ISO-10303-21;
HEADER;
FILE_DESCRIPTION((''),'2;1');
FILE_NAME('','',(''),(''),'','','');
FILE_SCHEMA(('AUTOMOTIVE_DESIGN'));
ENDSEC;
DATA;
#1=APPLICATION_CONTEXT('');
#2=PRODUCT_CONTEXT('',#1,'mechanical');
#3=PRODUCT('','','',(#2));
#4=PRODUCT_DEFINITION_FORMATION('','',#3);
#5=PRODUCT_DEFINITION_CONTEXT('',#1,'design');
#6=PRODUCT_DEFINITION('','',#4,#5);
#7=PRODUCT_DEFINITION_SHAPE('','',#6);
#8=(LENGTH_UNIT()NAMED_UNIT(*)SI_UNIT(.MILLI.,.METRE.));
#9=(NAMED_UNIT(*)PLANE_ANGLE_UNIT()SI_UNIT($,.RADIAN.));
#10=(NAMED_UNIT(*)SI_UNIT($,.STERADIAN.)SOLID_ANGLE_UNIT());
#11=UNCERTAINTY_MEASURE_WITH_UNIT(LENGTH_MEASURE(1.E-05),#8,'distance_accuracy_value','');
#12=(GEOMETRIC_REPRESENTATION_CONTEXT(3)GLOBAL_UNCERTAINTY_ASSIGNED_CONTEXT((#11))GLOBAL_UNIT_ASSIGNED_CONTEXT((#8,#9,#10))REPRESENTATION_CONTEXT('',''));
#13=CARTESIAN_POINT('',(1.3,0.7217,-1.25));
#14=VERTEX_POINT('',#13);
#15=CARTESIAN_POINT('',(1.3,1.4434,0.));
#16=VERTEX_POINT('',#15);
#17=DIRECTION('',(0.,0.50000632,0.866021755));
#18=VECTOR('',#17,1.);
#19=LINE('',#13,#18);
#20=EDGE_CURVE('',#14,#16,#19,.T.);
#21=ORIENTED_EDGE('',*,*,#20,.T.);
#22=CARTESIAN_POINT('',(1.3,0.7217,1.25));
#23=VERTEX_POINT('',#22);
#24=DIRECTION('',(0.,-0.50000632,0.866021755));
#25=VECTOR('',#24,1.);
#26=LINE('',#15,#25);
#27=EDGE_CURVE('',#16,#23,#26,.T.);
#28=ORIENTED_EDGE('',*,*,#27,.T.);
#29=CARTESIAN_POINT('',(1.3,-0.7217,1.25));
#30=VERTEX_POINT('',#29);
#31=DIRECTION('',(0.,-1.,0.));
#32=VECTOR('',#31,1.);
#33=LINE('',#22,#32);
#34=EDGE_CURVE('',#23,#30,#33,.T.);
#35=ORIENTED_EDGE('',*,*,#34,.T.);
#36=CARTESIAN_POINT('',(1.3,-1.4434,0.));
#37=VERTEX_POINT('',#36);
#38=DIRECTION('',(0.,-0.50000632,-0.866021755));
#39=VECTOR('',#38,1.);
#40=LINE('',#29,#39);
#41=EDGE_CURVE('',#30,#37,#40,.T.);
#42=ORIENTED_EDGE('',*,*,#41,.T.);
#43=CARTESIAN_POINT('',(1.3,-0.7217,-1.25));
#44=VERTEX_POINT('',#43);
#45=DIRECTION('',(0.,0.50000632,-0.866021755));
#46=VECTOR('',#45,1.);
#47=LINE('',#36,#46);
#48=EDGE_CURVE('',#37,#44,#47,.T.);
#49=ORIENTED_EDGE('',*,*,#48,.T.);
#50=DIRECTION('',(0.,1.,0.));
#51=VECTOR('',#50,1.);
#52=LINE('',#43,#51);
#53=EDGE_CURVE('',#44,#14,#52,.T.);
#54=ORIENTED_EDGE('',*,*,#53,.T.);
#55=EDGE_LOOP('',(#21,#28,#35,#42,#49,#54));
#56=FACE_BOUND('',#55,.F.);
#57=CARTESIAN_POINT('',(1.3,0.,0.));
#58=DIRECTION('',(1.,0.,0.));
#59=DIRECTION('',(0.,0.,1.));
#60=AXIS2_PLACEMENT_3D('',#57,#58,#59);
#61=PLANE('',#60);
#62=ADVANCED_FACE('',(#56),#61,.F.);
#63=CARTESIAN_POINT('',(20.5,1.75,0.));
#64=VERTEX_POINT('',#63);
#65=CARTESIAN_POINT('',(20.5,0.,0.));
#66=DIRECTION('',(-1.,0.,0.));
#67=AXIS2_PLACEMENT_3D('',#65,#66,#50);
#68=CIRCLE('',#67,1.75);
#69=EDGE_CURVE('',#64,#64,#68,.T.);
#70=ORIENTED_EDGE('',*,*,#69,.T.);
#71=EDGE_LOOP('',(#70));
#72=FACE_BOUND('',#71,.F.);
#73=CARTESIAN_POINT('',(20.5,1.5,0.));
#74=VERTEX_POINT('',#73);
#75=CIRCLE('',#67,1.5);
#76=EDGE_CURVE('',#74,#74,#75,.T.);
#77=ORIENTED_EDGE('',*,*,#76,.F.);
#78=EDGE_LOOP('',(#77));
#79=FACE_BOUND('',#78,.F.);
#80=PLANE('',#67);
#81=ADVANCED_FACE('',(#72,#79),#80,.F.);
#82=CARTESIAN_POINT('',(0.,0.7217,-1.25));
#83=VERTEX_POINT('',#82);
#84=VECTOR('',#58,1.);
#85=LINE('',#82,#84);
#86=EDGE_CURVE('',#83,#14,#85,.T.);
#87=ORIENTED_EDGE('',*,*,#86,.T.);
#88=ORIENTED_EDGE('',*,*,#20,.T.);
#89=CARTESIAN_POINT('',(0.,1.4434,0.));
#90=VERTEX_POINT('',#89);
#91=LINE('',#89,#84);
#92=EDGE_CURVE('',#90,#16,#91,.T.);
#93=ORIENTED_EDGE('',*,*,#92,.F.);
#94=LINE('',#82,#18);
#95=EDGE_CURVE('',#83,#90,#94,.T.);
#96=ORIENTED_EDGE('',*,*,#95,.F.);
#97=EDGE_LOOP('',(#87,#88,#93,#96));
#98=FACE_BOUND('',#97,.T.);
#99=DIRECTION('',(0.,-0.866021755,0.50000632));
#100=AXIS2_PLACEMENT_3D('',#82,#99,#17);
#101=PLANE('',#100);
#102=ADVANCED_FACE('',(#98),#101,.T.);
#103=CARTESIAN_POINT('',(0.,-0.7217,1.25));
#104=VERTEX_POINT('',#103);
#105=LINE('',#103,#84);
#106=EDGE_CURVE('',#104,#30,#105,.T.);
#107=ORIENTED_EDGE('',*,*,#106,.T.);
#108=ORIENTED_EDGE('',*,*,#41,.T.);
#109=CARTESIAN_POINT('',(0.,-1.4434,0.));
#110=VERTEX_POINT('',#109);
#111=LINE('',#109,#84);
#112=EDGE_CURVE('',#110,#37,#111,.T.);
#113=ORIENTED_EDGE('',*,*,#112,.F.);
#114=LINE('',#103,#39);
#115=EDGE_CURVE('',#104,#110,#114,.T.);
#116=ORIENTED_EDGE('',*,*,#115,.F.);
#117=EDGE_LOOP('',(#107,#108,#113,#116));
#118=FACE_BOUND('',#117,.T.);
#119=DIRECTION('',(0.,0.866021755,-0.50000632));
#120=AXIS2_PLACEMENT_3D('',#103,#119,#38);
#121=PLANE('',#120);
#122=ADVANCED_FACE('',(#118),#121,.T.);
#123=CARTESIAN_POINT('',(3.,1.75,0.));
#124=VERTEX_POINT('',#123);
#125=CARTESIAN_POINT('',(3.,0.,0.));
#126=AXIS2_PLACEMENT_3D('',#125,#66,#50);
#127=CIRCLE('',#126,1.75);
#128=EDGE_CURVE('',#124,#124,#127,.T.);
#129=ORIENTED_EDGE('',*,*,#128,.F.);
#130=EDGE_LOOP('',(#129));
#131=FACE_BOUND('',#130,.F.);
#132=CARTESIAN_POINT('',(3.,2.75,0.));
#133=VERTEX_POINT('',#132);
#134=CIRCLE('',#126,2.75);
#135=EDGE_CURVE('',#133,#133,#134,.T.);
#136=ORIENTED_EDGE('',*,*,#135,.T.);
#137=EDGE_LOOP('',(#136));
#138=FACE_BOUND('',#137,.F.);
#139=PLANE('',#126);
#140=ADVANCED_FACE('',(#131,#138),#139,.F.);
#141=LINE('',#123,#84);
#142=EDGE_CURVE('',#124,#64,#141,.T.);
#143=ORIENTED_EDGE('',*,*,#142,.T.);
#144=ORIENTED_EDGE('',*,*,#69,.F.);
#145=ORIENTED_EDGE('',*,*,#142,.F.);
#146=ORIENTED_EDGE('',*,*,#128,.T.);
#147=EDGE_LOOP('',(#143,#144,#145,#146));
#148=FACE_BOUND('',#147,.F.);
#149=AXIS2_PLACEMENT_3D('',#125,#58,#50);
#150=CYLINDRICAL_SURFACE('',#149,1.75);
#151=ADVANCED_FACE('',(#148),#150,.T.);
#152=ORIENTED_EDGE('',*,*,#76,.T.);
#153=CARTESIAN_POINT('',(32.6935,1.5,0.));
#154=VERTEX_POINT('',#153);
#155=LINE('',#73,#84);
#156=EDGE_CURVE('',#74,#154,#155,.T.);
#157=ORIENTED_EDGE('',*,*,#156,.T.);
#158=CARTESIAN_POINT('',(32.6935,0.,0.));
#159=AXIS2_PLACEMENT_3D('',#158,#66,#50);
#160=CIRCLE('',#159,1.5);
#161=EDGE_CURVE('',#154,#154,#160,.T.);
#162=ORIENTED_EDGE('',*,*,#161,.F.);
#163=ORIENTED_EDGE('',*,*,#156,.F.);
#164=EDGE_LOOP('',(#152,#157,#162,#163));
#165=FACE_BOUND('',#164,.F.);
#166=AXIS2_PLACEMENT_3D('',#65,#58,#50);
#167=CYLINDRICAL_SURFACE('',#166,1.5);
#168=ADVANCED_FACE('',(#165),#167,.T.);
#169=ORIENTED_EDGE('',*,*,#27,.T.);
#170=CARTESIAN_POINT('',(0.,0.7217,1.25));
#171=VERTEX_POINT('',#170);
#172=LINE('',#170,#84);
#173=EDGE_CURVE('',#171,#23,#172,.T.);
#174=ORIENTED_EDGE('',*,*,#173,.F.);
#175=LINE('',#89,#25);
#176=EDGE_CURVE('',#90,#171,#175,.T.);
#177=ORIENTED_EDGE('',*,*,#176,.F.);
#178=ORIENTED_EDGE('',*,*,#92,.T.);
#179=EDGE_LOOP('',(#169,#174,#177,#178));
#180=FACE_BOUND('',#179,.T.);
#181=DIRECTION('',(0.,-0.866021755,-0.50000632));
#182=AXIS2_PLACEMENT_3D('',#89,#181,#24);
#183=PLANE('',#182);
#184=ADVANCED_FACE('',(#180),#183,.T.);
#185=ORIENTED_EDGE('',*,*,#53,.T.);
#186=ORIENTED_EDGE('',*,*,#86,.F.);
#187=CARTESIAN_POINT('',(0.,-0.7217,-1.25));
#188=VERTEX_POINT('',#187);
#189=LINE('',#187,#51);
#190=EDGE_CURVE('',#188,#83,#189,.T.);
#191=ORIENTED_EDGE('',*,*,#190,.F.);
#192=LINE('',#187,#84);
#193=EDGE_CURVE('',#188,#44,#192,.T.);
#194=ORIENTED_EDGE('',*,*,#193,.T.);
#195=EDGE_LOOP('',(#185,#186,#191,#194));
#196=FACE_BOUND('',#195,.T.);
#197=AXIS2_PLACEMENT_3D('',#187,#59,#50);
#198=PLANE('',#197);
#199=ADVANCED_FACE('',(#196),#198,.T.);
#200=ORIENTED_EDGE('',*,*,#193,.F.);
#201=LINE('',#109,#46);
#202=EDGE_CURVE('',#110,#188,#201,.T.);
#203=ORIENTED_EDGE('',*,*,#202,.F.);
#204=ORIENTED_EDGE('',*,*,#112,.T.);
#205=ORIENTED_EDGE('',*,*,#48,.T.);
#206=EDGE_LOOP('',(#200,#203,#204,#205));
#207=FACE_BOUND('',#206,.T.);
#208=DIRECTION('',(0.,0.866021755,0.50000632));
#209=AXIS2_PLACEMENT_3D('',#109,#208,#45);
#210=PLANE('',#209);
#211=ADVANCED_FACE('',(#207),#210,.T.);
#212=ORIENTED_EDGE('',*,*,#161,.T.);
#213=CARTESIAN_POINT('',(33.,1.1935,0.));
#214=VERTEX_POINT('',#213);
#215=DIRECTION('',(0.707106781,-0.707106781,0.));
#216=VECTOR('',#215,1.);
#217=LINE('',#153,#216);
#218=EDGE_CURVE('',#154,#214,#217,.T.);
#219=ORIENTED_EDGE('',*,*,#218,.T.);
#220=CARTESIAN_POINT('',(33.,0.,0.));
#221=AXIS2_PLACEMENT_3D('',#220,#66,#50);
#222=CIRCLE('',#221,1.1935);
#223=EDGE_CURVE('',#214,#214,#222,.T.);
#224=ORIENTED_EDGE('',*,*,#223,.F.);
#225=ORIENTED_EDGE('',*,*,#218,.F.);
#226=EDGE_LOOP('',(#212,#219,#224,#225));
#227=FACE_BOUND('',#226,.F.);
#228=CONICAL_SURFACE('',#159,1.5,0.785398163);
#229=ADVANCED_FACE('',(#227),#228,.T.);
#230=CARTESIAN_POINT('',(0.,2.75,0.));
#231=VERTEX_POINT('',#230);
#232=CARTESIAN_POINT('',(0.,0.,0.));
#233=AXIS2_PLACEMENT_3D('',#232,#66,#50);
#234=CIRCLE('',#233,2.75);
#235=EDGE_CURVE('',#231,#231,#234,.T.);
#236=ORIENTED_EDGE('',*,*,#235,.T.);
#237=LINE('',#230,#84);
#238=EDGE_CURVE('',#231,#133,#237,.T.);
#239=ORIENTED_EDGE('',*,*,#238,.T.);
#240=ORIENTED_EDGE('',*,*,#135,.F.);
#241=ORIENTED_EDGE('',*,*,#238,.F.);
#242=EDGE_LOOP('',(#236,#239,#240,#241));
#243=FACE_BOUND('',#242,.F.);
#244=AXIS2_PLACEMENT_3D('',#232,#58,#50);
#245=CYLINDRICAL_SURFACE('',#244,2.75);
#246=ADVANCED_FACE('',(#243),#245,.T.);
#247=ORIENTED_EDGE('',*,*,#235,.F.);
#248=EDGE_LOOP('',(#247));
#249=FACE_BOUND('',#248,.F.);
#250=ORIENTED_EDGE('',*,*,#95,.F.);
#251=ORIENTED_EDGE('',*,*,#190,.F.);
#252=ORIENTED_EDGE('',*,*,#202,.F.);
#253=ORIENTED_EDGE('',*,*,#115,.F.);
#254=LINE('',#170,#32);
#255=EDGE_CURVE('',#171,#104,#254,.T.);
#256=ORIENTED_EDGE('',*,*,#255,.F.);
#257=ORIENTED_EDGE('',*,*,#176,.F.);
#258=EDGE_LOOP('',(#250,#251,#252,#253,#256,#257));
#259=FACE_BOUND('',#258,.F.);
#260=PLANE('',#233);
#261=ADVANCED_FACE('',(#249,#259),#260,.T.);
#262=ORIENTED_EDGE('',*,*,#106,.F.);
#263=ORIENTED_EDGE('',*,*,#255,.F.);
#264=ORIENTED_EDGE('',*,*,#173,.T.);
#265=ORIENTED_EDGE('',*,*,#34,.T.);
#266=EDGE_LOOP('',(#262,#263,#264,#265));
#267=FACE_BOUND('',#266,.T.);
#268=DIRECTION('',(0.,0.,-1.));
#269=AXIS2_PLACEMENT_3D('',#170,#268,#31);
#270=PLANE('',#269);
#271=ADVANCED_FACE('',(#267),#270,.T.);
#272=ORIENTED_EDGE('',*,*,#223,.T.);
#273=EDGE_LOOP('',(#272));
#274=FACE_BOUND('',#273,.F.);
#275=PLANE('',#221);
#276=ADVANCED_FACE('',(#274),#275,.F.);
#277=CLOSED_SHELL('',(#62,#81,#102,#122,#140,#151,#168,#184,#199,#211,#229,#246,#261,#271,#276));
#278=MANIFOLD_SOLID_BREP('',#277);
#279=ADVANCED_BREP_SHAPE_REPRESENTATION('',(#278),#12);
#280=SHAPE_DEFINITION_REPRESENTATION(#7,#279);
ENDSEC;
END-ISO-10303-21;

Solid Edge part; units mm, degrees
sketch "Sketch1" plane through (0, 0, 0) normal (0, 0, 1) x (1, 0, 0)
  line L0 (0, 0) -> (0, 2.75)
  line L1 (0, 2.75) -> (3, 2.75)
  line L2 (3, 2.75) -> (3, 1.75)
  line L3 (3, 1.75) -> (20.5, 1.75)
  line L4 (20.5, 1.75) -> (20.5, 1.5)
  line L5 (20.5, 1.5) -> (32.6935, 1.5)
  line L6 (32.6935, 1.5) -> (33, 1.1935)
  line L7 (33, 1.1935) -> (33, 0)
  line L8 (33, 0) -> (0, 0)
revolve "RevolvedProtrusion1" add sketch "Sketch1" angle 360 about axis through (33, 0, 0) along (-1, 0, 0)
cosmetic_thread "Thread1" size "M3"
sketch "Sketch2" plane through (0, 0, 0) normal (1, 0, 0) x (0, 1, 0)
  line L0 (-0.7217, 1.25) -> (-1.4434, 0)
  line L1 (-1.4434, 0) -> (-0.7217, -1.25)
  line L2 (-0.7217, -1.25) -> (0.7217, -1.25)
  line L3 (0.7217, -1.25) -> (1.4434, 0)
  line L4 (1.4434, 0) -> (0.7217, 1.25)
  line L5 (0.7217, 1.25) -> (-0.7217, 1.25)
extrude "ExtrudedCutout_1" cut sketch "Sketch2" along normal blind 1.3
properties part number "CDQS12_CQ-M3x30L"
